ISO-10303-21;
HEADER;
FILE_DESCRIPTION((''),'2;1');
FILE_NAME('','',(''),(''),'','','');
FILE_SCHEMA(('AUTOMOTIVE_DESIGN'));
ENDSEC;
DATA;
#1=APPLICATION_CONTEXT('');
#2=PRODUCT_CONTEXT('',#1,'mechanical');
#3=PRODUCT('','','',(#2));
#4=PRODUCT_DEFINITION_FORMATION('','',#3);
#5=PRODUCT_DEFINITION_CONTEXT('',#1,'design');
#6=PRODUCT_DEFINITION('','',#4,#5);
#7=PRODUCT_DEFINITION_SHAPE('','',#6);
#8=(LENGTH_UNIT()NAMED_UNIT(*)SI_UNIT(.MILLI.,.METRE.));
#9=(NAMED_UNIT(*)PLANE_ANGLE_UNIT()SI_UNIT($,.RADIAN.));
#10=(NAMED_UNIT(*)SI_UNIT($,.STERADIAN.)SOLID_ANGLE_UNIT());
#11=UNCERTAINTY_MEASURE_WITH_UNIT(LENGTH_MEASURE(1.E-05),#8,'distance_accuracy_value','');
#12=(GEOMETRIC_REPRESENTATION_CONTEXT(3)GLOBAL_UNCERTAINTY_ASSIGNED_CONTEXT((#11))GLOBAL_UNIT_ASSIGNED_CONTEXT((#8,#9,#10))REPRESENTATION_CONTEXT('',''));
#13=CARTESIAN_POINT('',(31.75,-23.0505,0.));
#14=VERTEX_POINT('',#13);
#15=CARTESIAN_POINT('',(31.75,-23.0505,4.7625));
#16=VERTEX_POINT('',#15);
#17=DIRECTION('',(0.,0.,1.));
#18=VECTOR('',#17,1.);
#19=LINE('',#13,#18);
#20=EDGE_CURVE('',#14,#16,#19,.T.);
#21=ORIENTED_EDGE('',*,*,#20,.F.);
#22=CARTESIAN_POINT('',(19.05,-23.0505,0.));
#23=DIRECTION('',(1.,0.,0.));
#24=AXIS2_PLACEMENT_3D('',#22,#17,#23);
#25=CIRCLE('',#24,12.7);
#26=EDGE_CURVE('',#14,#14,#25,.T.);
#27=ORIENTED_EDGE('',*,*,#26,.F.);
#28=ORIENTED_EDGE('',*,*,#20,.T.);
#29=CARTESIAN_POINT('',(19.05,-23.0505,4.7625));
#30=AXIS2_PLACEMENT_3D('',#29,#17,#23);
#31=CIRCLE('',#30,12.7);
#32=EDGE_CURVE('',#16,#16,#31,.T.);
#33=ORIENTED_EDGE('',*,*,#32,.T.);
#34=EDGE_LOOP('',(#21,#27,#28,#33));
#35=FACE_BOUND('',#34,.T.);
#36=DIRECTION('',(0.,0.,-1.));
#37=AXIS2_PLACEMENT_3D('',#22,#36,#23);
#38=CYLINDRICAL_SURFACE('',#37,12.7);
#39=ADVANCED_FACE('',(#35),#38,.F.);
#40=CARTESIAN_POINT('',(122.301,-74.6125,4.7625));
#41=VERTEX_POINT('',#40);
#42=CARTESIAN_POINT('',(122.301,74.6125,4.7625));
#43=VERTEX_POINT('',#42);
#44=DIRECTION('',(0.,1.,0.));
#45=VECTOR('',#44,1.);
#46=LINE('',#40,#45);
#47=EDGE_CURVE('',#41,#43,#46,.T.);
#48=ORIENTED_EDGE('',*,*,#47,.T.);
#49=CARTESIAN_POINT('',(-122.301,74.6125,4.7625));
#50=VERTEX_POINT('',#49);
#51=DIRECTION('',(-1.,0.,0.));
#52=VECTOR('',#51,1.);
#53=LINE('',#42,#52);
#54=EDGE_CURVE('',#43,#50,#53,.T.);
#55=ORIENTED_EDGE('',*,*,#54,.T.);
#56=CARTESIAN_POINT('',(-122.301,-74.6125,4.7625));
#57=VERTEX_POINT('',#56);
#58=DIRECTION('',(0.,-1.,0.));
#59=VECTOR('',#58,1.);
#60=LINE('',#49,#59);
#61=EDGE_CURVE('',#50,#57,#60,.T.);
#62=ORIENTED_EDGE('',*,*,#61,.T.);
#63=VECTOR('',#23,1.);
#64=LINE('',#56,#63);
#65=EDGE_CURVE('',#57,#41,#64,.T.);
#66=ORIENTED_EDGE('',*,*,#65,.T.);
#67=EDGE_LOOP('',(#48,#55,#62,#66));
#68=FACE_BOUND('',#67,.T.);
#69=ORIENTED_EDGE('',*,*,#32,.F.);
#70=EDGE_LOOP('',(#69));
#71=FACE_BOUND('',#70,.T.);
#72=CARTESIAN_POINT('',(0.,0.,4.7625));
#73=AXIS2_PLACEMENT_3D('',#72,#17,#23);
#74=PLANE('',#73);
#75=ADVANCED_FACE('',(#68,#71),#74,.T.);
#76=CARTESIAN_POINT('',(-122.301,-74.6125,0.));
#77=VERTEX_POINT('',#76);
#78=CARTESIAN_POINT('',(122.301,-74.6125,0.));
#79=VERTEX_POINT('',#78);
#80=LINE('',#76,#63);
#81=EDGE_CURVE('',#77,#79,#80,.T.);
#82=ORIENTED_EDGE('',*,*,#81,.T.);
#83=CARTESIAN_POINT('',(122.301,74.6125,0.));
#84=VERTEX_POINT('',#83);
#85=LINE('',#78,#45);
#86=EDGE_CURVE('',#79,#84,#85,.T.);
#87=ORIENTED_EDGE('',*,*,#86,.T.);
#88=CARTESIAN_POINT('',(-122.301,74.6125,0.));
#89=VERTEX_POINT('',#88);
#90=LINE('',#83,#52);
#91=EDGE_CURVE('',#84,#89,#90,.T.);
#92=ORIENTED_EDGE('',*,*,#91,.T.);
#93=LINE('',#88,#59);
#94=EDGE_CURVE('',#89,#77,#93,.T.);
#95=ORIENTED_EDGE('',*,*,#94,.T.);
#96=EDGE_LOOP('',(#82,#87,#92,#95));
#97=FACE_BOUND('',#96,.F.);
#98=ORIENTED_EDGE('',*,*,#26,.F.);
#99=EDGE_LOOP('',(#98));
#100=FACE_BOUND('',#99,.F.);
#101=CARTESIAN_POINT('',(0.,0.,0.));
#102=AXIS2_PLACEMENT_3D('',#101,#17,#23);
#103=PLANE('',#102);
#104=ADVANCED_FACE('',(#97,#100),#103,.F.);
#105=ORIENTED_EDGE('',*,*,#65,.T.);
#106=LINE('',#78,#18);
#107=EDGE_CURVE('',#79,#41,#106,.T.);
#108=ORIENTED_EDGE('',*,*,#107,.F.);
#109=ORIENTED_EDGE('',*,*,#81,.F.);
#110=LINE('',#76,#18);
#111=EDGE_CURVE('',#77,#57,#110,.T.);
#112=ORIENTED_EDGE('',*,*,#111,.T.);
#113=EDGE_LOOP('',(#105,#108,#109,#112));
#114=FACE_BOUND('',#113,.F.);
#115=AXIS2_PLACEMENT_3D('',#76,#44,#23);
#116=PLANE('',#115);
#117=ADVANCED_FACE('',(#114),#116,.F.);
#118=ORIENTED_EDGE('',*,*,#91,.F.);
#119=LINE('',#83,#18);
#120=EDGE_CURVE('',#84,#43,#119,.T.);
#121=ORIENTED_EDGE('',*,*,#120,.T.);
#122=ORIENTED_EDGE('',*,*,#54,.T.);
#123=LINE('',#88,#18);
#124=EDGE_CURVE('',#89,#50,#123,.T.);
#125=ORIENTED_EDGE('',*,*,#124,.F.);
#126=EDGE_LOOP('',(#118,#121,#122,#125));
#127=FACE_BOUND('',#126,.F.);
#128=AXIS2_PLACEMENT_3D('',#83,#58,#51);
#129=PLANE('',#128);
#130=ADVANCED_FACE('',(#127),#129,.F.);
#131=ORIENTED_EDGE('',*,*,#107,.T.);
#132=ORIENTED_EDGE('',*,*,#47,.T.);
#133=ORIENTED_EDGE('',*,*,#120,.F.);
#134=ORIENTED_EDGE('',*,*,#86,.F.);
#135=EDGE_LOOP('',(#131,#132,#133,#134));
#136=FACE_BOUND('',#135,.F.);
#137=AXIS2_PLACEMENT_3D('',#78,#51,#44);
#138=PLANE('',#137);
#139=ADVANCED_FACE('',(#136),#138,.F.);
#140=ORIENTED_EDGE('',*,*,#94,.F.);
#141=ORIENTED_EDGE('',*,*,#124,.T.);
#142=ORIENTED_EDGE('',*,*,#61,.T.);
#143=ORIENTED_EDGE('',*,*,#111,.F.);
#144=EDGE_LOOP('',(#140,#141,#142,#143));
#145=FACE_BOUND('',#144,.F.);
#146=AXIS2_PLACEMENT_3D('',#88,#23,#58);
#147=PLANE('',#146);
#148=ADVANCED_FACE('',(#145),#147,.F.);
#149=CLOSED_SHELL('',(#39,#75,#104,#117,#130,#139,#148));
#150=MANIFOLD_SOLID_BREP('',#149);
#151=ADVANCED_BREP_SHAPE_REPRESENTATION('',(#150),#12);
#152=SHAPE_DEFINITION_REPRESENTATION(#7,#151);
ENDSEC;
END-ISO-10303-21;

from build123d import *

# Parameters (mm, degrees)
F0_R     = 12.7
F1_DEPTH = 4.7625


with BuildPart() as f1:
    # F0 (on Top) → F1 (new body)
    with BuildSketch(Plane.XY):
        Polygon((122.301, 74.6125), (-122.301, 74.6125), (-122.301, -74.6125), (0, -74.6125), (122.301, -74.6125), align=None)
        with Locations((19.05, -23.0505)):
            Circle(F0_R, mode=Mode.SUBTRACT)
    extrude(amount=F1_DEPTH)


solid = f1.part
